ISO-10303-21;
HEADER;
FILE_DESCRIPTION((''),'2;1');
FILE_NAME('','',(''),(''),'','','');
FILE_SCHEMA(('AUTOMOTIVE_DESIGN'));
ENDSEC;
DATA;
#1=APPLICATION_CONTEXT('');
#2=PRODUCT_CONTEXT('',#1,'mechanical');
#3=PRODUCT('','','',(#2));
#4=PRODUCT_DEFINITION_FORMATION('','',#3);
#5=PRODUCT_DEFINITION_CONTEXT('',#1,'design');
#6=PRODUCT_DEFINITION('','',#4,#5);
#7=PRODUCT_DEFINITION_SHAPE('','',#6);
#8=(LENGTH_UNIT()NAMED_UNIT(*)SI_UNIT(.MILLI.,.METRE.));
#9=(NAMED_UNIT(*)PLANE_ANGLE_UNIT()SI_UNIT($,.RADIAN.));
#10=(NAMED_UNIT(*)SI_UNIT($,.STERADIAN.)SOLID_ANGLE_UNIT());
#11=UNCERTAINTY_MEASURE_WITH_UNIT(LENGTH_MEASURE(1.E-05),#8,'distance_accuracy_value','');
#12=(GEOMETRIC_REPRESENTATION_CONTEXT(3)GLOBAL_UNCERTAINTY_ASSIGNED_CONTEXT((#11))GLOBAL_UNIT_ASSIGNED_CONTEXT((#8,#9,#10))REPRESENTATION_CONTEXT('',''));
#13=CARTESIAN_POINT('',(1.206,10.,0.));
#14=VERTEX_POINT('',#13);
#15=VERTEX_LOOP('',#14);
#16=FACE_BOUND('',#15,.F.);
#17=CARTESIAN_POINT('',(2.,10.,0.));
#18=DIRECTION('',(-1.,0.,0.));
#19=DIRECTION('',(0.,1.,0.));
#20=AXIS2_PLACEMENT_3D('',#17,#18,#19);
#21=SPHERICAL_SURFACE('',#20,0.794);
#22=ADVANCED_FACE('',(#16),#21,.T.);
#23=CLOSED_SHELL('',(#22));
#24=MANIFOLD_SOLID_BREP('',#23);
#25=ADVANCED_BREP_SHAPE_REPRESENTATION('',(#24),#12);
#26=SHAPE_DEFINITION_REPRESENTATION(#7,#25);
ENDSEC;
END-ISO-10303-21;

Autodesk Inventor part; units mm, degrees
ref_plane "YZ Plane" through (0, 0, 0) normal (1, 0, 0) x (0, 1, 0)
ref_plane "XZ Plane" through (0, 0, 0) normal (0, 1, 0) x (-1, 0, 0)
ref_plane "XY Plane" through (0, 0, 0) normal (0, 0, 1) x (1, 0, 0)
sketch "Sketch_6" plane through (0, 0, 0) normal (0, 0, 1) x (1, 0, 0)
  line L0 (2.794, 10) -> (1.206, 10)
  arc A0 (2.794, 10) -> (1.206, 10) centre (2, 10) ccw
  line L1 (2.794, 10) -> (1.206, 10)
  dimension "d0" = 360
revolve "Revolution1" add sketch "Sketch_6" angle 360 about axis through (2.794, 10, 0) along (1, 0, 0)
properties part number "SKF_W 61703-2RS1_PART3"
